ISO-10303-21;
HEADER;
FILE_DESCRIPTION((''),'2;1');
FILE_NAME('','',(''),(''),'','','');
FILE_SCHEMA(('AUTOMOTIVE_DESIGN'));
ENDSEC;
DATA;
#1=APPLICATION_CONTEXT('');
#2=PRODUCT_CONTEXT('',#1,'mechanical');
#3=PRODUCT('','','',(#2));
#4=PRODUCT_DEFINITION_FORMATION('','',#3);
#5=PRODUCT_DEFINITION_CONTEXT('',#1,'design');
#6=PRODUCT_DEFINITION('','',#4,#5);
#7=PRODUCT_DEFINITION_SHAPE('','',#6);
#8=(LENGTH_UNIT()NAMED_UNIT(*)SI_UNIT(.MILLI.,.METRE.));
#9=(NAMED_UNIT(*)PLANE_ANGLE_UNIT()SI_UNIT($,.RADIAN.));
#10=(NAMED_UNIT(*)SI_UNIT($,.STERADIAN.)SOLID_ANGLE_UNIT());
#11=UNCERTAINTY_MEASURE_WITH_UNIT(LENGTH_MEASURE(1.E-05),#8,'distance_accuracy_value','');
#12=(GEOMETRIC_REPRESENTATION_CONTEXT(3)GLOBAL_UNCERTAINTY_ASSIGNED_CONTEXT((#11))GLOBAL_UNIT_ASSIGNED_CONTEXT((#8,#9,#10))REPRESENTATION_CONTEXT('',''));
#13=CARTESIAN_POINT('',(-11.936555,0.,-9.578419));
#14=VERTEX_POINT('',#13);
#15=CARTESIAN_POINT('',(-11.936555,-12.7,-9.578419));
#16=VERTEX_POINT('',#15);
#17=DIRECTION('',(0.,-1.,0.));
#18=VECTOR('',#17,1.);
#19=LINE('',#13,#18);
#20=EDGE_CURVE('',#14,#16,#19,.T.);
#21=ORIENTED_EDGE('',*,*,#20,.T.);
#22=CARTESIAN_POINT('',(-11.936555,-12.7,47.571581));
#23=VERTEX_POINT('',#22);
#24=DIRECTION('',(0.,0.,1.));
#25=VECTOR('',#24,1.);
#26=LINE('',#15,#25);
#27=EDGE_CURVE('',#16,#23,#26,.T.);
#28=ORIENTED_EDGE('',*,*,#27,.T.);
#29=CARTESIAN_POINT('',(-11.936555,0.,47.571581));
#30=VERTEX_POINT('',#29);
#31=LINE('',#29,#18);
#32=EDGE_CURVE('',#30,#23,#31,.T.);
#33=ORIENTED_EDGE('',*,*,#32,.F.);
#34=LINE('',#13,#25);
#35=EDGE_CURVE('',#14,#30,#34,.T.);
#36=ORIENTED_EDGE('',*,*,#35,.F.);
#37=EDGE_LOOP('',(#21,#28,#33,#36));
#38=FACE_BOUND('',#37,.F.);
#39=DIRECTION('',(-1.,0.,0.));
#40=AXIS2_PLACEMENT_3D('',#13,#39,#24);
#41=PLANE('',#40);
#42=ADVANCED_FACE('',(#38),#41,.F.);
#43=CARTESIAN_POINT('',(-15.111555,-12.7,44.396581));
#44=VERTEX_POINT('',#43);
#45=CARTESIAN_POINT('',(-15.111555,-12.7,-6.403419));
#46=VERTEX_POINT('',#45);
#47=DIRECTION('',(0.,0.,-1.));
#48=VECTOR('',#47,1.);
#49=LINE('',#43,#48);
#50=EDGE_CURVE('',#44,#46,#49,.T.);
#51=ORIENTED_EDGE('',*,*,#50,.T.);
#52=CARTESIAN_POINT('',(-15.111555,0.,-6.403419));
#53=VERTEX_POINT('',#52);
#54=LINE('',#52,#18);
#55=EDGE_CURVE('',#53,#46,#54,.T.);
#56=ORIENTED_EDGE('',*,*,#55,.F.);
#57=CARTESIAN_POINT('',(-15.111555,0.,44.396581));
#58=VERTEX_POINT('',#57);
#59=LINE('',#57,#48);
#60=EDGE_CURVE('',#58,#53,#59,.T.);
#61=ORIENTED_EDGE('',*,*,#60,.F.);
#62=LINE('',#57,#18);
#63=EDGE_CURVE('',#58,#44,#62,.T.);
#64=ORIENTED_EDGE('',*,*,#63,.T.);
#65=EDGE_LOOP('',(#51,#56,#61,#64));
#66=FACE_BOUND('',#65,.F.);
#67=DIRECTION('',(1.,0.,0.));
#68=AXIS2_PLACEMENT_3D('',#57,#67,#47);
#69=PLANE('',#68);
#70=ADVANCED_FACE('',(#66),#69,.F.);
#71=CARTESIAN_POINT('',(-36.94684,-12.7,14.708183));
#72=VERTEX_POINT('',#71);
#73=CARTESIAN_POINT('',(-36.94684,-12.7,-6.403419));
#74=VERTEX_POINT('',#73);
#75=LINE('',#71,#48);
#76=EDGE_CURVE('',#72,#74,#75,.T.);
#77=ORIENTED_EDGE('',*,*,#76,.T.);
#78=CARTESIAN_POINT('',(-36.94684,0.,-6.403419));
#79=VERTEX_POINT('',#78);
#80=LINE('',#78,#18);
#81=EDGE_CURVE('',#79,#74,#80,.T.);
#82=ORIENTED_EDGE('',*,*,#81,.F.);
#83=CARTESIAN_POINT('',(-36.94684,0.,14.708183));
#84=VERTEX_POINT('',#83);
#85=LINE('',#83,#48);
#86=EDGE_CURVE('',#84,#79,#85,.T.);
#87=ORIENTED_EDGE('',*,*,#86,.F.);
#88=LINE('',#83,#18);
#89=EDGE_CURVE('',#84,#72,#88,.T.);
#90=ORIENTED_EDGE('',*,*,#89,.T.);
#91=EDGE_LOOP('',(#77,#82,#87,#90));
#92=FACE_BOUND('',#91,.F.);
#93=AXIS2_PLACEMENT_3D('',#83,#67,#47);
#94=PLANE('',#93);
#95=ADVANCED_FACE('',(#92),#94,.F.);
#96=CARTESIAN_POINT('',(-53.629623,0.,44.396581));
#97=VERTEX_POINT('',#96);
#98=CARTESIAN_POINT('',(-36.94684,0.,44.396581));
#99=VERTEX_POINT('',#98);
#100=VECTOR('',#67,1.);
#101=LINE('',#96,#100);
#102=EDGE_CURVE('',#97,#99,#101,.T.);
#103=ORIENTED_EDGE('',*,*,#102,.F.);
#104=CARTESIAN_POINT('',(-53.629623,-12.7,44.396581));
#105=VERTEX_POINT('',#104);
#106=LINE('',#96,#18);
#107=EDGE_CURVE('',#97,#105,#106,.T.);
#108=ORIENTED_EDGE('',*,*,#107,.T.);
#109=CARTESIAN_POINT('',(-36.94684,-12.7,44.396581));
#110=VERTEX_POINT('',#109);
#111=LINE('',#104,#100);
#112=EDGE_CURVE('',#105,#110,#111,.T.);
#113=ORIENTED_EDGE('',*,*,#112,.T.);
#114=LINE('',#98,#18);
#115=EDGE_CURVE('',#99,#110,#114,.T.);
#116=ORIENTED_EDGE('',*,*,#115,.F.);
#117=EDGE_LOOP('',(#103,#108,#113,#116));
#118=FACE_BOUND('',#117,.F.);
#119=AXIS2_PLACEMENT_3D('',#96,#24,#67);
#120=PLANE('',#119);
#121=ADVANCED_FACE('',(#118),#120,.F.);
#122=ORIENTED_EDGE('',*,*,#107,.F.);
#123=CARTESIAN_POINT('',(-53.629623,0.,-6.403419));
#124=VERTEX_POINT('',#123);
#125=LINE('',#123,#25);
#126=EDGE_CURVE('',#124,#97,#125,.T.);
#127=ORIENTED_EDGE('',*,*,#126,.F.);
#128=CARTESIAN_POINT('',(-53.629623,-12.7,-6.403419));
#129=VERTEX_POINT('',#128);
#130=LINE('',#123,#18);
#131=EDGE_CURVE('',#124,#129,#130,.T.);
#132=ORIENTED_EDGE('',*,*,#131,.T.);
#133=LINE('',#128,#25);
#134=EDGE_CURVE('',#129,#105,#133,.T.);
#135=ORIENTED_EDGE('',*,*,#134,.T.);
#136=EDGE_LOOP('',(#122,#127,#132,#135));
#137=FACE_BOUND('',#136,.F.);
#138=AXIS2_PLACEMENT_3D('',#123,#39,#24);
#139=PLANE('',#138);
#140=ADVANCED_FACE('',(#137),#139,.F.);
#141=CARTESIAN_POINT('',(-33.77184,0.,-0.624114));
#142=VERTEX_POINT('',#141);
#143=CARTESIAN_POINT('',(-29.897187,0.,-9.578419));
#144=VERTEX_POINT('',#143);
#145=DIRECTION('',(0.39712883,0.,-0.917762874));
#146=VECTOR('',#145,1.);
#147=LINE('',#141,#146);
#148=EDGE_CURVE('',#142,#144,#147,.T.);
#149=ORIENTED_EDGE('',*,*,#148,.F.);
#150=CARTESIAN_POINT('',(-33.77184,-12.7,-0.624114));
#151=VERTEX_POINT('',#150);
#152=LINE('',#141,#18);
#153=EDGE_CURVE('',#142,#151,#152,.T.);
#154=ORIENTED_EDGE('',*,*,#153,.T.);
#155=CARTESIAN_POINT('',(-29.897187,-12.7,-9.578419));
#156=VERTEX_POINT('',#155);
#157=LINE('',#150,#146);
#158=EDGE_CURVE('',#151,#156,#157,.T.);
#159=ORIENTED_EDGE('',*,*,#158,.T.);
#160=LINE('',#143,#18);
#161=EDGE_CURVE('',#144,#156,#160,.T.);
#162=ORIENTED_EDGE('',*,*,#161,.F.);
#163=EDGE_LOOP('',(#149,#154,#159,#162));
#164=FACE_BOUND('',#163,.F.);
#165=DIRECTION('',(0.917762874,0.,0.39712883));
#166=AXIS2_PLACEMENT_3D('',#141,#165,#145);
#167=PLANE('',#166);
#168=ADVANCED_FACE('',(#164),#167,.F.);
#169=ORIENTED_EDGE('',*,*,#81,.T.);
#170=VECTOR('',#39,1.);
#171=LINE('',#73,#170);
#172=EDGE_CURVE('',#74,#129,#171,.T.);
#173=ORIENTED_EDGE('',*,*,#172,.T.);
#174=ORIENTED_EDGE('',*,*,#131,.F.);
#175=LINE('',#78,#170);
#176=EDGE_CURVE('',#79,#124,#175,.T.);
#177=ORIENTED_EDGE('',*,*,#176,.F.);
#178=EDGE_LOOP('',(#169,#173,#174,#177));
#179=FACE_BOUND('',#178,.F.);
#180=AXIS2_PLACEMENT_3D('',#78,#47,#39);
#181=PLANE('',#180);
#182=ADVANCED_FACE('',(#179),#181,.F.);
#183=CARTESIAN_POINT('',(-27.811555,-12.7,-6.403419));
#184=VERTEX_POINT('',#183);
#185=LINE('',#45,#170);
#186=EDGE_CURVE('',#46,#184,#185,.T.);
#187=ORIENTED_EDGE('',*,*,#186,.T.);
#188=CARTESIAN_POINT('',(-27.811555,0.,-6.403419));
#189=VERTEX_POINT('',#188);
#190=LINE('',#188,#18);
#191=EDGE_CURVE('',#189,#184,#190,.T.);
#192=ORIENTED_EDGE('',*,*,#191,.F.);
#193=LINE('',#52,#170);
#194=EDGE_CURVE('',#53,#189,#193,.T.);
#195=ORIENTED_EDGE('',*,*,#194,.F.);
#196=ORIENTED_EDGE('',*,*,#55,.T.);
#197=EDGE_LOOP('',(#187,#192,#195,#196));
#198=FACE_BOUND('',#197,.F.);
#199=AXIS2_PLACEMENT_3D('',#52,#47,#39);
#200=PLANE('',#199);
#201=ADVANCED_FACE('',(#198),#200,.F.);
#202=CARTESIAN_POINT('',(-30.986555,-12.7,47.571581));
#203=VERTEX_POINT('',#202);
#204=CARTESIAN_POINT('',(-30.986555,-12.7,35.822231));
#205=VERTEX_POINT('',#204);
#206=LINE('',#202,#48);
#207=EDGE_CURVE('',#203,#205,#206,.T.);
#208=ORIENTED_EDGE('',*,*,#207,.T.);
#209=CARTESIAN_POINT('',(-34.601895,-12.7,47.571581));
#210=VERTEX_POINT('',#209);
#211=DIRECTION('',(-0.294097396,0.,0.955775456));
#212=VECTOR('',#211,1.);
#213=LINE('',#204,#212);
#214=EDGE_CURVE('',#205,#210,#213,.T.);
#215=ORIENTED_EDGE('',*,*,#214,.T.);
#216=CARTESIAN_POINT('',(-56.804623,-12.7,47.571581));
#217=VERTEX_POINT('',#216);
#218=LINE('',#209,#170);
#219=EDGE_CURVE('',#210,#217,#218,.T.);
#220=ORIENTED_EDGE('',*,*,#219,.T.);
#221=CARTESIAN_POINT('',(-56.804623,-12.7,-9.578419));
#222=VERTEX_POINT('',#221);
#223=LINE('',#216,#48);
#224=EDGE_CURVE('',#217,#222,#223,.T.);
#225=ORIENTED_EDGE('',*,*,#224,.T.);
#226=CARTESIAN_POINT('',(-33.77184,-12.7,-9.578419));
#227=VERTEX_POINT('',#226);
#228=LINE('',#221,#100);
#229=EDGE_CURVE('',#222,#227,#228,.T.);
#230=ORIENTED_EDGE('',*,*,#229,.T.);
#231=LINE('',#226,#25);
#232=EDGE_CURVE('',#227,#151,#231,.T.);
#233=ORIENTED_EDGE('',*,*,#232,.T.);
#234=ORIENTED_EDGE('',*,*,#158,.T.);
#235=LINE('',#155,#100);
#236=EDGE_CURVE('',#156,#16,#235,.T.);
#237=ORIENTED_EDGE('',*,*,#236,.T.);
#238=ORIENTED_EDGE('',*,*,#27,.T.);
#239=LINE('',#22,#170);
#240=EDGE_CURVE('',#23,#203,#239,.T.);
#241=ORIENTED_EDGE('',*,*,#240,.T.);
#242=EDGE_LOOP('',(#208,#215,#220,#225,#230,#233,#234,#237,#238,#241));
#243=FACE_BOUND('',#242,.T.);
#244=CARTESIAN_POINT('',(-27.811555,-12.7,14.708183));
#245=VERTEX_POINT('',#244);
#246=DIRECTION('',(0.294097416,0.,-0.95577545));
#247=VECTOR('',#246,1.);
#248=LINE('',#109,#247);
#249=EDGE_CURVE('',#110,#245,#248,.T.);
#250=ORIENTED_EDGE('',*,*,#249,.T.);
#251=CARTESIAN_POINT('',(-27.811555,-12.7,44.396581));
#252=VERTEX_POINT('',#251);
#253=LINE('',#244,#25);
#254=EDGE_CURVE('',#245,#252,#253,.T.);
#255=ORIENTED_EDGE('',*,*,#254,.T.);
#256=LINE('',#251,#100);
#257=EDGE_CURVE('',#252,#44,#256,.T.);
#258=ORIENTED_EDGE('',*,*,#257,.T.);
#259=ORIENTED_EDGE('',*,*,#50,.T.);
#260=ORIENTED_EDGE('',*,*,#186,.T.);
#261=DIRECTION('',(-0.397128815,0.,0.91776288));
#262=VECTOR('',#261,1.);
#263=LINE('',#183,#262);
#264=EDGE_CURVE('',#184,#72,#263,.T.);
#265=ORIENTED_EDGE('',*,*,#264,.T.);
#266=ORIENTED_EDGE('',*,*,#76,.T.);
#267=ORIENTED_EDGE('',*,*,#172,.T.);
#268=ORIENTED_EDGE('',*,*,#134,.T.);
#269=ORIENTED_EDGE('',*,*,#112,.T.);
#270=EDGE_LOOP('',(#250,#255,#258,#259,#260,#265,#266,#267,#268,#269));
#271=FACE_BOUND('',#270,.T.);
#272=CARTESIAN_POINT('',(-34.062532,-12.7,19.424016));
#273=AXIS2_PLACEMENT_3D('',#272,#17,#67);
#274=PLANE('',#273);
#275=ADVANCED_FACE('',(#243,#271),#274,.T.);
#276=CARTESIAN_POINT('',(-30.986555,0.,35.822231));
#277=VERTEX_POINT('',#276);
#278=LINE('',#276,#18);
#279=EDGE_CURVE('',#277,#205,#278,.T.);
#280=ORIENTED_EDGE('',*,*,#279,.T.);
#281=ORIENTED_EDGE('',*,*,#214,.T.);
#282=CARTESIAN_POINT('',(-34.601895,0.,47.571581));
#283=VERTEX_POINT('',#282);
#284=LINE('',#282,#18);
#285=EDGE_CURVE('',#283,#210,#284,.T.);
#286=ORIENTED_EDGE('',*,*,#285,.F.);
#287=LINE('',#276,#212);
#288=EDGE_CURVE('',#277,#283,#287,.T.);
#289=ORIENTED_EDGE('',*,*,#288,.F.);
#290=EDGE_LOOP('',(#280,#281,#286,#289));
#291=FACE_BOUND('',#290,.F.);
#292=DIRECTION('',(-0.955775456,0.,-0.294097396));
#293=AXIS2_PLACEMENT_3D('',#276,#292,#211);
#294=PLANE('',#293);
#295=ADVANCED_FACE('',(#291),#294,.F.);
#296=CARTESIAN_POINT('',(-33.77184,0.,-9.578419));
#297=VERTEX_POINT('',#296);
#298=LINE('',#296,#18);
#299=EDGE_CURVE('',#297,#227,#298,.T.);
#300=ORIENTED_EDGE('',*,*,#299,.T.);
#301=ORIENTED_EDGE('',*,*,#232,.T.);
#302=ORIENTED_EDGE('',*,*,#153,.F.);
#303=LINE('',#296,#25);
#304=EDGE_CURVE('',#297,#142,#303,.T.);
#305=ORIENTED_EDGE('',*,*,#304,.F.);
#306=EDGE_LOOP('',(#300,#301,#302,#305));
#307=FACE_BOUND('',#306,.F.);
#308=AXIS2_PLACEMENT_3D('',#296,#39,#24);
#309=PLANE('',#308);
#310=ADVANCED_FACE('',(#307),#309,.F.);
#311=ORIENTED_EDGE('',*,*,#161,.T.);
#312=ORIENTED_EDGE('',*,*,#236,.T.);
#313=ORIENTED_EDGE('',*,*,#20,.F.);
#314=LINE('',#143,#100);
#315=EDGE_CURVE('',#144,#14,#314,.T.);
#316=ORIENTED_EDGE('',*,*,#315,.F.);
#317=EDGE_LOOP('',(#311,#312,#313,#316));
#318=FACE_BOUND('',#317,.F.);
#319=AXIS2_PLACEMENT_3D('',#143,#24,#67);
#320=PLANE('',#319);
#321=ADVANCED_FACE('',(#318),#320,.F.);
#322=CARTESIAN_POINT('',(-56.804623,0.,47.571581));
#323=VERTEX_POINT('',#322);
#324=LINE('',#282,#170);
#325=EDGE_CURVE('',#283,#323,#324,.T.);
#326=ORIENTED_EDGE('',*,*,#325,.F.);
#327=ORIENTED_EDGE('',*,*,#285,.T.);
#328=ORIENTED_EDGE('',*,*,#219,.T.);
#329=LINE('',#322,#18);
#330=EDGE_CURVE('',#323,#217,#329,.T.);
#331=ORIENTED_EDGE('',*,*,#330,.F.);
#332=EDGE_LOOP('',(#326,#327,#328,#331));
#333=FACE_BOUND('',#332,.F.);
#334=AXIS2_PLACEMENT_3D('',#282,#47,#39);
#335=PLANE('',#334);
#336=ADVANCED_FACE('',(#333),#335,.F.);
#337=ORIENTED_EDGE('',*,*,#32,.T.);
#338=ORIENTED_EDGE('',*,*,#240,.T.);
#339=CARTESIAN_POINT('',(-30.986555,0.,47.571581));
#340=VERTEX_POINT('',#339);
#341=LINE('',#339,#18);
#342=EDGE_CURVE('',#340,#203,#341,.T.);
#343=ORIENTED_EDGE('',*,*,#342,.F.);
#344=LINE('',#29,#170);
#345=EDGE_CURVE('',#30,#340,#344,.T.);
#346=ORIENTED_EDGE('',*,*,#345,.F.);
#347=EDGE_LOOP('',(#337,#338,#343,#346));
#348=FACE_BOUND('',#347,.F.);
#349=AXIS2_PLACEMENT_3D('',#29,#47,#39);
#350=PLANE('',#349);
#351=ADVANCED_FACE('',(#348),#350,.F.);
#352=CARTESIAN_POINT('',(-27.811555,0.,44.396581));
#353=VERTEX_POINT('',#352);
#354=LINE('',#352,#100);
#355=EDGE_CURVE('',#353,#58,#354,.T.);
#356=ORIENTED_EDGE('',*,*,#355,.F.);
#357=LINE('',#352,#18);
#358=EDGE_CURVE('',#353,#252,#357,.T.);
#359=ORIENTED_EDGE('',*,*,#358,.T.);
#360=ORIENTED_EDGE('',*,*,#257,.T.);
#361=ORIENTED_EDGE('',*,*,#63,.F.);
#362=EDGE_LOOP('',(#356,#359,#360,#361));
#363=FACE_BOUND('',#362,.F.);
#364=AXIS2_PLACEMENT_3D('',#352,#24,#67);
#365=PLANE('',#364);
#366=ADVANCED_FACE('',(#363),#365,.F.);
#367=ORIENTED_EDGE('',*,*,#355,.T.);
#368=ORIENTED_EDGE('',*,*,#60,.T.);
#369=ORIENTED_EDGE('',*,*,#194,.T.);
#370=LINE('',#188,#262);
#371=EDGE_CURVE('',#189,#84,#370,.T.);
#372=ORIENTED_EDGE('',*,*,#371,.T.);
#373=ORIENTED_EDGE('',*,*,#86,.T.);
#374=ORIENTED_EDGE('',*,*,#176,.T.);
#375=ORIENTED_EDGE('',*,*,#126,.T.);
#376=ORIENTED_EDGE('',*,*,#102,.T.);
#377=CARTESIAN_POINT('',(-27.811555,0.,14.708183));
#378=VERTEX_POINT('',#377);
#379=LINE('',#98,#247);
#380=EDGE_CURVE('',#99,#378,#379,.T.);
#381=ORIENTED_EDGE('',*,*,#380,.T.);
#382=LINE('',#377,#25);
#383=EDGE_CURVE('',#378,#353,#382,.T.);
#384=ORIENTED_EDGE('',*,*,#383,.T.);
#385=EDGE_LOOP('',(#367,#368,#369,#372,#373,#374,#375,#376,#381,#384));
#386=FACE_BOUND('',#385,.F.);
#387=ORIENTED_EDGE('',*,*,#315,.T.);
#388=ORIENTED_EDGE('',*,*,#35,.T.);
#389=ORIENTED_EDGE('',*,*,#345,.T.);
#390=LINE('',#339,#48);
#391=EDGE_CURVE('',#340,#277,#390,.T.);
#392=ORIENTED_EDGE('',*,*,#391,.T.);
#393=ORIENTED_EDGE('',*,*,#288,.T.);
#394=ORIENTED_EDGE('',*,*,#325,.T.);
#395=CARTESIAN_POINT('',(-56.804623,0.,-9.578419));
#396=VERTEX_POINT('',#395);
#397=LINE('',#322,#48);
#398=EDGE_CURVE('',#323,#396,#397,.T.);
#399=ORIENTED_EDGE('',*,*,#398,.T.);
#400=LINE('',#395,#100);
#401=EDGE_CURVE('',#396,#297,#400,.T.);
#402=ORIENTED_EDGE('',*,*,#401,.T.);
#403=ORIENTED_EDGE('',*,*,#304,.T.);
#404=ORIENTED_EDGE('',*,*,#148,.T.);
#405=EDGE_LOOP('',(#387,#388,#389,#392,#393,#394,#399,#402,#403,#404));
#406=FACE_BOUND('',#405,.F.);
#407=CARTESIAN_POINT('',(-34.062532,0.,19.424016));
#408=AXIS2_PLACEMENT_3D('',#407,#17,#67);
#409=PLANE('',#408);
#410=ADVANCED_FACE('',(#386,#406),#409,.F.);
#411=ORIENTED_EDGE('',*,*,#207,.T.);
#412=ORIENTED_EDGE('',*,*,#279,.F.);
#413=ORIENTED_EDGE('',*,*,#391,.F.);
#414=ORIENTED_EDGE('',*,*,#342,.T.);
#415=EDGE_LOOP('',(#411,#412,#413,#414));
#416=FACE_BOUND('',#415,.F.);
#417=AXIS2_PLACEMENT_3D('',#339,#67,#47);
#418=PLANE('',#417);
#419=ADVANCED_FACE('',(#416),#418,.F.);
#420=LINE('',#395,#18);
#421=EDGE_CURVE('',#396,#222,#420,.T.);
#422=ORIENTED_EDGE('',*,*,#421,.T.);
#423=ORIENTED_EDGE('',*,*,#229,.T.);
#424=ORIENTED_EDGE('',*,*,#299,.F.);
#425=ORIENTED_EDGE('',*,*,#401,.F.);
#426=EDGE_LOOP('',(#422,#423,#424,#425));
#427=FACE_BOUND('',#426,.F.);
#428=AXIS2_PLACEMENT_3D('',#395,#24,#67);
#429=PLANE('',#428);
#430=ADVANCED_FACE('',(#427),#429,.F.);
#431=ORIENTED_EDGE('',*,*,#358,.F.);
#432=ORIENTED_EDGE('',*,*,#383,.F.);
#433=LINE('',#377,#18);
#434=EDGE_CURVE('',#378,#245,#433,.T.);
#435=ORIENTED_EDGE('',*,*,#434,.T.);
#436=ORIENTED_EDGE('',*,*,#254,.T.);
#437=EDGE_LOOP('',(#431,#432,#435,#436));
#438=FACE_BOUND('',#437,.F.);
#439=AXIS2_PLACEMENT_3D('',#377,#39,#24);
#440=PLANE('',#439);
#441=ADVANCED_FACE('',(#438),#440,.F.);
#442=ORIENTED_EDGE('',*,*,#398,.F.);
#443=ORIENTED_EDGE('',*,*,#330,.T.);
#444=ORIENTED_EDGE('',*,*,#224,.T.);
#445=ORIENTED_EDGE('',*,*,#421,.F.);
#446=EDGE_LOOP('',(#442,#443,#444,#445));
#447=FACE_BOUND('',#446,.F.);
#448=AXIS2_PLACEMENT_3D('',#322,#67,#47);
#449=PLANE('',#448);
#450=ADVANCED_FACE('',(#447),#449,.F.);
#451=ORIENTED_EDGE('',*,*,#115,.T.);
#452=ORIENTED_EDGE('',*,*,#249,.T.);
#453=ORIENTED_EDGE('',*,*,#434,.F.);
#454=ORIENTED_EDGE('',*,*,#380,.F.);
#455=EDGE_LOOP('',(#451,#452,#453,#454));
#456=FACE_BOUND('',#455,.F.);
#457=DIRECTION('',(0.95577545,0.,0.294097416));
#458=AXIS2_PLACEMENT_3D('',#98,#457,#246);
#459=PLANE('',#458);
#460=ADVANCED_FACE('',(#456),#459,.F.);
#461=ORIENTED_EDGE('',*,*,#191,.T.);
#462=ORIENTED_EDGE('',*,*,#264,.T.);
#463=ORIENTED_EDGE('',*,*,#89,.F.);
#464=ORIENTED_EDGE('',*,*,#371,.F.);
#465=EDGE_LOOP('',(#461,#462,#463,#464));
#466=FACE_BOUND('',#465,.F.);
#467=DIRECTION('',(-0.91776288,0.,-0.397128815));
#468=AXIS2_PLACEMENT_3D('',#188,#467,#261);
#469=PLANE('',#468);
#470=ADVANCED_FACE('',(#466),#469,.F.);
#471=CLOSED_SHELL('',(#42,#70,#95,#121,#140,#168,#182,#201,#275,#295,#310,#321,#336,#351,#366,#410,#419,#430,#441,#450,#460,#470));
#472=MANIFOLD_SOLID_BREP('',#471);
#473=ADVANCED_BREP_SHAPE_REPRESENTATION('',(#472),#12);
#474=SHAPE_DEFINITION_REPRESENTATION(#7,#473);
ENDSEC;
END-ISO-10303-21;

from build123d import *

# Parameters (mm, degrees)
F1_DEPTH = 12.7


with BuildPart() as f1:
    # F0 (on Front) → F1 (new body)
    with BuildSketch(Plane.XZ):
        Polygon((-34.601895, 47.571581), (-56.804623, 47.571581), (-56.804623, -9.578419), (-33.77184, -9.578419), (-33.77184, -0.624114), (-29.897187, -9.578419), (-11.936555, -9.578419), (-11.936555, 47.571581), (-30.986555, 47.571581), (-30.986555, 35.822231), align=None)
        Polygon((-36.94684, -6.403419), (-53.629623, -6.403419), (-53.629623, 44.396581), (-36.94684, 44.396581), (-27.811555, 14.708183), (-27.811555, 44.396581), (-15.111555, 44.396581), (-15.111555, -6.403419), (-27.811555, -6.403419), (-36.94684, 14.708183), align=None, mode=Mode.SUBTRACT)
    extrude(amount=F1_DEPTH)


solid = f1.part
